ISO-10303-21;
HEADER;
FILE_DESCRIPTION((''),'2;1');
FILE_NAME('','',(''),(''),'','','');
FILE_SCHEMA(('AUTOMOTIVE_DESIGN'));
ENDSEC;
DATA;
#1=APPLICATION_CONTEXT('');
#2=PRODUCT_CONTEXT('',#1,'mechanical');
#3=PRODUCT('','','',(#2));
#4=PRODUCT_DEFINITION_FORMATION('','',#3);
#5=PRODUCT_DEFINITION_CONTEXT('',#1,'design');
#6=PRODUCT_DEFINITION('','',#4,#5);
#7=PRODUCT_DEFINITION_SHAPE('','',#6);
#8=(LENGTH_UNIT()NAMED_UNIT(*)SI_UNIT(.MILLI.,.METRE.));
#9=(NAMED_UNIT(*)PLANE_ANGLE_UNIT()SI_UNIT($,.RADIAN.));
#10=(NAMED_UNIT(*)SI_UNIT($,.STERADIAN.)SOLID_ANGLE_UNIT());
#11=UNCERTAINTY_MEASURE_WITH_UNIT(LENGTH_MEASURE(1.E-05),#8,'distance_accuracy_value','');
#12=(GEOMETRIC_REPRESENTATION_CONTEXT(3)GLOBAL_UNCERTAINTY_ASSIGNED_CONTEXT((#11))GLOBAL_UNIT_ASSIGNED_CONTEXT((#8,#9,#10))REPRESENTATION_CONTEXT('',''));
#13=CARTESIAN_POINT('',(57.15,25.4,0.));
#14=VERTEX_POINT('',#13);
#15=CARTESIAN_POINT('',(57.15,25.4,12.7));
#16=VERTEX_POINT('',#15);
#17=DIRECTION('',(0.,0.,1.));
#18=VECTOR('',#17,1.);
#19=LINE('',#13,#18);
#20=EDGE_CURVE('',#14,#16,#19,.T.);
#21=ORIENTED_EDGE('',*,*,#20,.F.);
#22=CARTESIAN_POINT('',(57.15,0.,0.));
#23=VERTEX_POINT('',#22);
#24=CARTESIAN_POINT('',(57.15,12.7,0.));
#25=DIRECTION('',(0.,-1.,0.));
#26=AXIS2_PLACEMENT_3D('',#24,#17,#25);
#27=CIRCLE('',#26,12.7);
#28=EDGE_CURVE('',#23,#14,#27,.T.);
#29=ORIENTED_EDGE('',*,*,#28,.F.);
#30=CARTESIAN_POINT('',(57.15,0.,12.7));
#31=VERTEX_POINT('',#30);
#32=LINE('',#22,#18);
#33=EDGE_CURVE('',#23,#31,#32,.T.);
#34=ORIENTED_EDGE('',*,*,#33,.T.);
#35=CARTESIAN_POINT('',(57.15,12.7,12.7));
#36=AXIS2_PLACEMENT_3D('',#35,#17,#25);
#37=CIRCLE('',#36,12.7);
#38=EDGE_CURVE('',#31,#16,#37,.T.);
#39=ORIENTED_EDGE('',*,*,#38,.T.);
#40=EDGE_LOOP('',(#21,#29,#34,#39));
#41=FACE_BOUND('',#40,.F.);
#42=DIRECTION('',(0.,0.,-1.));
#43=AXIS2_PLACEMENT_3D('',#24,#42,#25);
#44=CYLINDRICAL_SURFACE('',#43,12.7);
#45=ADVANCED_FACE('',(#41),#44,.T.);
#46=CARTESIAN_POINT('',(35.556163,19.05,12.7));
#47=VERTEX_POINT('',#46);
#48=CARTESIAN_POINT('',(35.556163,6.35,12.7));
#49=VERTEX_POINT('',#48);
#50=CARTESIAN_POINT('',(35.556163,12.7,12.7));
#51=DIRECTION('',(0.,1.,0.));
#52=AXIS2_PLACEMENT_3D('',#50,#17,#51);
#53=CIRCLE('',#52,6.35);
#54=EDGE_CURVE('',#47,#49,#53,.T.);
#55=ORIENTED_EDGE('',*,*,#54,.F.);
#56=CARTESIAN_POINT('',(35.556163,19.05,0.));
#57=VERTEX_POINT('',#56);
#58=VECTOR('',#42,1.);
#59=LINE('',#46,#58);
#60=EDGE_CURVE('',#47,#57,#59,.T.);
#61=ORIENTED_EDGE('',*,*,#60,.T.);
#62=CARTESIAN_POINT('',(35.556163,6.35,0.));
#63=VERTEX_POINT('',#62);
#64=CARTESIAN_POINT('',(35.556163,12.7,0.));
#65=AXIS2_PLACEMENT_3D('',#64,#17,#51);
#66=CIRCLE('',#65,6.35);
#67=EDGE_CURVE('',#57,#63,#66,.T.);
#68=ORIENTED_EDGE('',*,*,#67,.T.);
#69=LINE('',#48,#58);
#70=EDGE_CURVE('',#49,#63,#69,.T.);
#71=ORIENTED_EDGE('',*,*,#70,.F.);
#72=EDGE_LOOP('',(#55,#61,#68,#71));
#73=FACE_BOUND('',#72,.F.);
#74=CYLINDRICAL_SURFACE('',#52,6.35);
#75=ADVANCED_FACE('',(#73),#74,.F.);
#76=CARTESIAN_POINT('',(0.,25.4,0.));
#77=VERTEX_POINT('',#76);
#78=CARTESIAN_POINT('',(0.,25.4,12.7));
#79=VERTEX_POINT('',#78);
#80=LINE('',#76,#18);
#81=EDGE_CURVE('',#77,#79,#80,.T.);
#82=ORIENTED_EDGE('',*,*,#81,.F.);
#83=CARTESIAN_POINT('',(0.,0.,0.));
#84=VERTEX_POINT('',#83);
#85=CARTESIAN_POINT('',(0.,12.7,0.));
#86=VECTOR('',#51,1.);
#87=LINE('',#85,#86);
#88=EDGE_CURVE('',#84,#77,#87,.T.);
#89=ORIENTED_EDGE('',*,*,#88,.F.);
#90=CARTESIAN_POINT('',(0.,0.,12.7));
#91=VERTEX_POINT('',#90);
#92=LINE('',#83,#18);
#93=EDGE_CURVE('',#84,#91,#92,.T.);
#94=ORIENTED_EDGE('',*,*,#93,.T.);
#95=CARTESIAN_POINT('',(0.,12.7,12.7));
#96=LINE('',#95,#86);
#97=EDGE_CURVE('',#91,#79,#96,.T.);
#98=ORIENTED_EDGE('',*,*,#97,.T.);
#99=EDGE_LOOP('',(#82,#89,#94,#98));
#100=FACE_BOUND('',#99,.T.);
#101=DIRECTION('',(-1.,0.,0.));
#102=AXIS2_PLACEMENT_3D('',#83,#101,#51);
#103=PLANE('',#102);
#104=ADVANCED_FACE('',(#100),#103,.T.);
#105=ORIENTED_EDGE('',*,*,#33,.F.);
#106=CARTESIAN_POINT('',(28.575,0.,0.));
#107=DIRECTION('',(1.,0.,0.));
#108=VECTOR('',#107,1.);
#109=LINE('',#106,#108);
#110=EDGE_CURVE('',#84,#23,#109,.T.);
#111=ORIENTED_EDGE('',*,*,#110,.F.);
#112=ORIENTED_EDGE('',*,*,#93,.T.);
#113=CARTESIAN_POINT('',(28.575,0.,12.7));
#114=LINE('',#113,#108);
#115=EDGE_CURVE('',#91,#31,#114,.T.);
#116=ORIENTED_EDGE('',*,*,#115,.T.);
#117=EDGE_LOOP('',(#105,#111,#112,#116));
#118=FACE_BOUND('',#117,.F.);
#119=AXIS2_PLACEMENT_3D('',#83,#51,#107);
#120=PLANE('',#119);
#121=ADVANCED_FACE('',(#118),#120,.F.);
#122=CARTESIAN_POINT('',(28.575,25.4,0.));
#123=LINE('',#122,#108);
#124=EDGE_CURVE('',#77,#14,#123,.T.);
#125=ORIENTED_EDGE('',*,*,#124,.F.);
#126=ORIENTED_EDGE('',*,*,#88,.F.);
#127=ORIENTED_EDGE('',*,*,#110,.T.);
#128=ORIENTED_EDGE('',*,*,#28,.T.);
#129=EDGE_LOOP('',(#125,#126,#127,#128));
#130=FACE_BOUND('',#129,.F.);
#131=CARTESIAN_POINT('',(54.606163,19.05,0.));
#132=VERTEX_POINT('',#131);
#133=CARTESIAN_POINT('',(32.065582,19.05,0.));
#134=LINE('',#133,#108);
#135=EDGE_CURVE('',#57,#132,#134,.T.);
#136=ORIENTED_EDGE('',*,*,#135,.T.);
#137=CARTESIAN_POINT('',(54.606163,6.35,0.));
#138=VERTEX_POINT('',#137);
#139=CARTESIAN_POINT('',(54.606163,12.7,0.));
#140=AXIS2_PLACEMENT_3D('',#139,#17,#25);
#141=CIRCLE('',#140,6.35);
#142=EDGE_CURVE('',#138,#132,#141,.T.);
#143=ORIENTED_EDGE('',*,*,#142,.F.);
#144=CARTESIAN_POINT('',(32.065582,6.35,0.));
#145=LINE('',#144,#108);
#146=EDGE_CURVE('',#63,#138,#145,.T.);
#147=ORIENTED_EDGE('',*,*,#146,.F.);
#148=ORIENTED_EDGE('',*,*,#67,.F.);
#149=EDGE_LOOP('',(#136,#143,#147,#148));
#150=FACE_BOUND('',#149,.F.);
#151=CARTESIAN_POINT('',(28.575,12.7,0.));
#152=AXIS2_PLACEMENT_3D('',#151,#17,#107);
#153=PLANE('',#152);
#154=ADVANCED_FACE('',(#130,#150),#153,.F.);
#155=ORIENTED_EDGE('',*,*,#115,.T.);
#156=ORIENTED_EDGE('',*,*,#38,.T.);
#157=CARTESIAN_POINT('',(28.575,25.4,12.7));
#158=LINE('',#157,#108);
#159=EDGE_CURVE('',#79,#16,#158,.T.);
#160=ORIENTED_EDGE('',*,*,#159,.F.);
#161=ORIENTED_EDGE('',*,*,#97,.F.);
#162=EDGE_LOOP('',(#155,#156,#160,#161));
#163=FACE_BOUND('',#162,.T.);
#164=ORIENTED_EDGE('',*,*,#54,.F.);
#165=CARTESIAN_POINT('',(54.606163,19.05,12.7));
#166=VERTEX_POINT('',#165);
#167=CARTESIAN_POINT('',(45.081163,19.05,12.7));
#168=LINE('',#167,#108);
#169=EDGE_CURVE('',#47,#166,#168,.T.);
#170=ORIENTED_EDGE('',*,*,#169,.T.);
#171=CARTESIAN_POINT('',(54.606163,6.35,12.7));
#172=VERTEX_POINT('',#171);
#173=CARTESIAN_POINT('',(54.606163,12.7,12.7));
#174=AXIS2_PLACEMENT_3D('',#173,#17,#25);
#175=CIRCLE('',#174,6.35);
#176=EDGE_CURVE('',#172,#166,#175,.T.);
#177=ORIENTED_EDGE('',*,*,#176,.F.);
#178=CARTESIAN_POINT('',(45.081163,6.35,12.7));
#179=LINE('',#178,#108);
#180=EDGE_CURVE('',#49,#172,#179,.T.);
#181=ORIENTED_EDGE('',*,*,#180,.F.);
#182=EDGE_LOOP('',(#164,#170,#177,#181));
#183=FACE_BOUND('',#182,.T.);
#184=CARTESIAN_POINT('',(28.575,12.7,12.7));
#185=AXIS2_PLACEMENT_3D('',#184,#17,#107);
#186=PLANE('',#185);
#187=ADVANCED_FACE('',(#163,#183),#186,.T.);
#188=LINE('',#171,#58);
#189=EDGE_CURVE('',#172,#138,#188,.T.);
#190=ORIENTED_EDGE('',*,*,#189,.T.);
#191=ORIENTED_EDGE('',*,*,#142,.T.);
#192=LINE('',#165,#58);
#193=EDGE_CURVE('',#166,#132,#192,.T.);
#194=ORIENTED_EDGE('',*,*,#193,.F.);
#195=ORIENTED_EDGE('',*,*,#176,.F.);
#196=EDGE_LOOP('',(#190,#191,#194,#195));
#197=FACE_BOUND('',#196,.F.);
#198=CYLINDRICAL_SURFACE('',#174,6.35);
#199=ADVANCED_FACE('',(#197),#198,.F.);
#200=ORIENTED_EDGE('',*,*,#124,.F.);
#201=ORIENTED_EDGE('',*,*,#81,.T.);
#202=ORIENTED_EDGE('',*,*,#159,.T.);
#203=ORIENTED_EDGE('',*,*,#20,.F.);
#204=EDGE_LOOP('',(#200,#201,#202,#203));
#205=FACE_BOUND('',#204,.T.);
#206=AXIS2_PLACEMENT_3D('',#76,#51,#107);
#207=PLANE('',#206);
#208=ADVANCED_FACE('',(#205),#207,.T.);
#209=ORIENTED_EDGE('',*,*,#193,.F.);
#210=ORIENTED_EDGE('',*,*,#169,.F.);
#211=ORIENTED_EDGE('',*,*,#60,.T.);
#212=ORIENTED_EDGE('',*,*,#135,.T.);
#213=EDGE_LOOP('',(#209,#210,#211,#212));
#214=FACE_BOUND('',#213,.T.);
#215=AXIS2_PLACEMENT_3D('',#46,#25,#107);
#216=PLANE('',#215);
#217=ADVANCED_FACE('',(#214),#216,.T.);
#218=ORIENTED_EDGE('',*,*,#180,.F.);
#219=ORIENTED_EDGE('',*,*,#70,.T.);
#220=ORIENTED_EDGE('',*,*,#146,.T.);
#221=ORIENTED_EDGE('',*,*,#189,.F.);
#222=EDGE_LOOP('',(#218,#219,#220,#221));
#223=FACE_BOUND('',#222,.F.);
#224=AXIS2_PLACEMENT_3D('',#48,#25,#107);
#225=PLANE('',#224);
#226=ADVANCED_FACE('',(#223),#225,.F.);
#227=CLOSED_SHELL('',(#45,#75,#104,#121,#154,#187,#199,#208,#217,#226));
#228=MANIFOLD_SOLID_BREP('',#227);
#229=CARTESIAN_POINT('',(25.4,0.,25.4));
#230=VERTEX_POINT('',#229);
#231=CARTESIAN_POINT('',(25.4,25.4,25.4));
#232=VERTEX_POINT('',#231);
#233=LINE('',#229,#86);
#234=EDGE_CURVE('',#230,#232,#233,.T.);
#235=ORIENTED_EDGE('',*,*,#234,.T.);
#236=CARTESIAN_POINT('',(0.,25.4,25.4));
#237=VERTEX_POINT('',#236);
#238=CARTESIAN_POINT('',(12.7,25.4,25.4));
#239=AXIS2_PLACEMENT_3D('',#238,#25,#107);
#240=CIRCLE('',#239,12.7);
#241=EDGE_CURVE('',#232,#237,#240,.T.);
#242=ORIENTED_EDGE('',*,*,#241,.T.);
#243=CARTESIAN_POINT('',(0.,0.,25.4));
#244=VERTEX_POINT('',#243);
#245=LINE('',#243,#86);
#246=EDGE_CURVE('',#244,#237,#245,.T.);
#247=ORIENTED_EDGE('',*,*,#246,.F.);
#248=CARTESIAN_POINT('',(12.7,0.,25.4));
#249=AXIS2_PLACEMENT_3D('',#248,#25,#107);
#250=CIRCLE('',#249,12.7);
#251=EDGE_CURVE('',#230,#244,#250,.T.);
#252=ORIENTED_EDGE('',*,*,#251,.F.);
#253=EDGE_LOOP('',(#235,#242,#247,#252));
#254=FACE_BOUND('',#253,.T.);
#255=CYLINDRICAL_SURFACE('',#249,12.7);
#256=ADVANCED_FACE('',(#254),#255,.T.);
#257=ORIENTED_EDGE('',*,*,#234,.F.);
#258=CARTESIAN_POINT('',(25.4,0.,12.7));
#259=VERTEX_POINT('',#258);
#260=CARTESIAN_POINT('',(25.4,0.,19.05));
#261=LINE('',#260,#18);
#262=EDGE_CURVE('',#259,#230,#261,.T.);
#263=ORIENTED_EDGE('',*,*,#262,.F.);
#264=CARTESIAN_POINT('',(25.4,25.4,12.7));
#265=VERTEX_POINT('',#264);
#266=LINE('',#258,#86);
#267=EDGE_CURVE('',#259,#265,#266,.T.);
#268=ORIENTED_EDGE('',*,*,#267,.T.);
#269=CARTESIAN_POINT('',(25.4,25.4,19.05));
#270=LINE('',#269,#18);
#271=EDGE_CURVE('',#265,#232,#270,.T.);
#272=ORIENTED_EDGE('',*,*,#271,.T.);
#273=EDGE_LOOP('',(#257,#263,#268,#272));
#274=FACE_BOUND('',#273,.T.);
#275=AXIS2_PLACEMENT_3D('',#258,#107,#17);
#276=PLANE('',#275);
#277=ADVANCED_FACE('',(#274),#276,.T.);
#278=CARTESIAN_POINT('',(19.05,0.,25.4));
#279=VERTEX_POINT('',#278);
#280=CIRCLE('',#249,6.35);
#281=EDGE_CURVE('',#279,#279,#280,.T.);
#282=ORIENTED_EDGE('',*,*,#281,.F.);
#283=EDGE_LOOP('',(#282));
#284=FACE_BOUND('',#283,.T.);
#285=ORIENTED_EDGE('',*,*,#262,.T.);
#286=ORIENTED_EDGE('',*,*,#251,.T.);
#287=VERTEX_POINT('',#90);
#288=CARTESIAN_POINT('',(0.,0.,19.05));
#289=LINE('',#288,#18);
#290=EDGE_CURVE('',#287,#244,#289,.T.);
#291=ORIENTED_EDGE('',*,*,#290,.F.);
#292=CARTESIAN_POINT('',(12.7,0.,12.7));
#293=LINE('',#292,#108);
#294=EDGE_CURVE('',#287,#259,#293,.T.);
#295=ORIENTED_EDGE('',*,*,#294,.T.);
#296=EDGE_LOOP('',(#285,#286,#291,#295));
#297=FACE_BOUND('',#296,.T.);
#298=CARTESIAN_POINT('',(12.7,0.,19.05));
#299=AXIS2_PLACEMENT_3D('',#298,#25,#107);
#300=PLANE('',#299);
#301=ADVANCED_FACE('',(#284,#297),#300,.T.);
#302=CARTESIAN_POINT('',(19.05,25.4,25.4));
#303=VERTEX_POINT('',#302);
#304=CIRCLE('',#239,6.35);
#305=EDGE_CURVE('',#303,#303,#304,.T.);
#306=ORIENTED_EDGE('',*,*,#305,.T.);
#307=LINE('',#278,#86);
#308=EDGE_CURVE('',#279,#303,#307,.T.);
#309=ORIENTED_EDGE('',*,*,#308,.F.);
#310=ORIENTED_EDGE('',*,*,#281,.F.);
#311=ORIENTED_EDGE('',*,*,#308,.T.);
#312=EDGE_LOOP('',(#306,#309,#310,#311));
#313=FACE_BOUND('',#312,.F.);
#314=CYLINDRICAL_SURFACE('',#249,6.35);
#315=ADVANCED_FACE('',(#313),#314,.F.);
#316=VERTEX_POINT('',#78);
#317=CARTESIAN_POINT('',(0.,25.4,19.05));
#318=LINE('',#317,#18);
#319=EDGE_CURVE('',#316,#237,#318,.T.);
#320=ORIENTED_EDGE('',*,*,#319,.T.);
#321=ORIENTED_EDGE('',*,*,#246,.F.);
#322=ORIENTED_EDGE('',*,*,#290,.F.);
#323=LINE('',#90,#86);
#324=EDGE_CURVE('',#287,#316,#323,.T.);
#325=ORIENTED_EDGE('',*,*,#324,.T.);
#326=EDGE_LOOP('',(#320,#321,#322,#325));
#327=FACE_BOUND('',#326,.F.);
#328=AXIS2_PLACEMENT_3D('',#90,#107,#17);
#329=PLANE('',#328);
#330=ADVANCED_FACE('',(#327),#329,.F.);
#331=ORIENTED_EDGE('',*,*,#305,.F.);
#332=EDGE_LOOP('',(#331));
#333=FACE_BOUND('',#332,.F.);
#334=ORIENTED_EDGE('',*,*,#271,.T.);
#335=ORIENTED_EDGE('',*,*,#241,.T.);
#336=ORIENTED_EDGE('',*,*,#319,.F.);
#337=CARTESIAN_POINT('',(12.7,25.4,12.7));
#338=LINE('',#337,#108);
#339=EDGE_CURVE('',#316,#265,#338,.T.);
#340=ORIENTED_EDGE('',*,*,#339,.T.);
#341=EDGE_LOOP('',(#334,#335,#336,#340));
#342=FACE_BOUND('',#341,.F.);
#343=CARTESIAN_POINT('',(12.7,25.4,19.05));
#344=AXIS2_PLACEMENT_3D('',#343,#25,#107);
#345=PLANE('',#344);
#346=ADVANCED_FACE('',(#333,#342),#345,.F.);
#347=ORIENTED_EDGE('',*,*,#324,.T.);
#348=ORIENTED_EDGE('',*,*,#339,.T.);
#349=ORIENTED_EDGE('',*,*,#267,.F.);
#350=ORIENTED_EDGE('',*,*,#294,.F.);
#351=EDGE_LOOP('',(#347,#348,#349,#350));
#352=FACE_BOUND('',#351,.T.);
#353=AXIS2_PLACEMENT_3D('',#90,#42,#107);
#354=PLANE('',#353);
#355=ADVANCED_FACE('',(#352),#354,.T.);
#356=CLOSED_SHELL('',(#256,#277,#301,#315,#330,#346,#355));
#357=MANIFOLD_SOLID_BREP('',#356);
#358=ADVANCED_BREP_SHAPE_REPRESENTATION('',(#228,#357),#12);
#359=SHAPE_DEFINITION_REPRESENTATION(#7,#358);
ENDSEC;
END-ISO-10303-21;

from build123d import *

# Parameters (mm, degrees)
F0_W     = 57.15
F0_H     = 25.4
F1_DEPTH = 12.7
F2_DEPTH = 12.7
F3_W     = 25.4
F3_H     = 12.7
F4_DEPTH = 25.4
F5_R     = 6.35
F6_DEPTH = 25.4
F7_W     = 19.05
F7_H     = 12.7
F8_DEPTH = 25.4


with BuildPart() as f1:
    # F0 (on Top) → F1 (new body)
    with BuildSketch(Plane.XY):
        with Locations((28.575, 12.7)):
            Rectangle(F0_W, F0_H)
    extrude(amount=F1_DEPTH)

    # F0 (on Top) → F2 (join)
    with BuildSketch(Plane.XY):
        with Locations((28.575, 12.7)):
            Rectangle(F0_W, F0_H)
        with BuildLine():
            Line((57.15, 25.4), (57.15, 0))
            ThreePointArc((57.15, 0), (69.85, 12.7), (57.15, 25.4))
        make_face()
    extrude(amount=F2_DEPTH)

    # F7 (on face) → F8 (cut)
    with BuildSketch(Plane.XY.offset(12.7)):
        with BuildLine():
            ThreePointArc((54.606163, 6.35), (60.956163, 12.7), (54.606163, 19.05))
            Line((54.606163, 19.05), (54.606163, 6.35))
        make_face()
        with Locations((45.081163, 12.7)):
            Rectangle(F7_W, F7_H)
        with BuildLine():
            Line((35.556163, 6.35), (35.556163, 19.05))
            ThreePointArc((35.556163, 19.05), (29.206163, 12.7), (35.556163, 6.35))
        make_face()
    extrude(amount=-F8_DEPTH, mode=Mode.SUBTRACT)


with BuildPart() as f4:
    # F3 (on face) → F4 (new body)
    with BuildSketch(Plane.XZ):
        with Locations((12.7, 19.05)):
            Rectangle(F3_W, F3_H)
        with BuildLine():
            ThreePointArc((25.4, 25.4), (12.7, 38.1), (0, 25.4))
            Line((0, 25.4), (25.4, 25.4))
        make_face()
    extrude(amount=-F4_DEPTH)

    # F5 (on face) → F6 (cut)
    with BuildSketch(Plane.XZ):
        with Locations((12.7, 25.4)):
            Circle(F5_R)
    extrude(amount=-F6_DEPTH, mode=Mode.SUBTRACT)


solid = Compound([f1.part, f4.part])
